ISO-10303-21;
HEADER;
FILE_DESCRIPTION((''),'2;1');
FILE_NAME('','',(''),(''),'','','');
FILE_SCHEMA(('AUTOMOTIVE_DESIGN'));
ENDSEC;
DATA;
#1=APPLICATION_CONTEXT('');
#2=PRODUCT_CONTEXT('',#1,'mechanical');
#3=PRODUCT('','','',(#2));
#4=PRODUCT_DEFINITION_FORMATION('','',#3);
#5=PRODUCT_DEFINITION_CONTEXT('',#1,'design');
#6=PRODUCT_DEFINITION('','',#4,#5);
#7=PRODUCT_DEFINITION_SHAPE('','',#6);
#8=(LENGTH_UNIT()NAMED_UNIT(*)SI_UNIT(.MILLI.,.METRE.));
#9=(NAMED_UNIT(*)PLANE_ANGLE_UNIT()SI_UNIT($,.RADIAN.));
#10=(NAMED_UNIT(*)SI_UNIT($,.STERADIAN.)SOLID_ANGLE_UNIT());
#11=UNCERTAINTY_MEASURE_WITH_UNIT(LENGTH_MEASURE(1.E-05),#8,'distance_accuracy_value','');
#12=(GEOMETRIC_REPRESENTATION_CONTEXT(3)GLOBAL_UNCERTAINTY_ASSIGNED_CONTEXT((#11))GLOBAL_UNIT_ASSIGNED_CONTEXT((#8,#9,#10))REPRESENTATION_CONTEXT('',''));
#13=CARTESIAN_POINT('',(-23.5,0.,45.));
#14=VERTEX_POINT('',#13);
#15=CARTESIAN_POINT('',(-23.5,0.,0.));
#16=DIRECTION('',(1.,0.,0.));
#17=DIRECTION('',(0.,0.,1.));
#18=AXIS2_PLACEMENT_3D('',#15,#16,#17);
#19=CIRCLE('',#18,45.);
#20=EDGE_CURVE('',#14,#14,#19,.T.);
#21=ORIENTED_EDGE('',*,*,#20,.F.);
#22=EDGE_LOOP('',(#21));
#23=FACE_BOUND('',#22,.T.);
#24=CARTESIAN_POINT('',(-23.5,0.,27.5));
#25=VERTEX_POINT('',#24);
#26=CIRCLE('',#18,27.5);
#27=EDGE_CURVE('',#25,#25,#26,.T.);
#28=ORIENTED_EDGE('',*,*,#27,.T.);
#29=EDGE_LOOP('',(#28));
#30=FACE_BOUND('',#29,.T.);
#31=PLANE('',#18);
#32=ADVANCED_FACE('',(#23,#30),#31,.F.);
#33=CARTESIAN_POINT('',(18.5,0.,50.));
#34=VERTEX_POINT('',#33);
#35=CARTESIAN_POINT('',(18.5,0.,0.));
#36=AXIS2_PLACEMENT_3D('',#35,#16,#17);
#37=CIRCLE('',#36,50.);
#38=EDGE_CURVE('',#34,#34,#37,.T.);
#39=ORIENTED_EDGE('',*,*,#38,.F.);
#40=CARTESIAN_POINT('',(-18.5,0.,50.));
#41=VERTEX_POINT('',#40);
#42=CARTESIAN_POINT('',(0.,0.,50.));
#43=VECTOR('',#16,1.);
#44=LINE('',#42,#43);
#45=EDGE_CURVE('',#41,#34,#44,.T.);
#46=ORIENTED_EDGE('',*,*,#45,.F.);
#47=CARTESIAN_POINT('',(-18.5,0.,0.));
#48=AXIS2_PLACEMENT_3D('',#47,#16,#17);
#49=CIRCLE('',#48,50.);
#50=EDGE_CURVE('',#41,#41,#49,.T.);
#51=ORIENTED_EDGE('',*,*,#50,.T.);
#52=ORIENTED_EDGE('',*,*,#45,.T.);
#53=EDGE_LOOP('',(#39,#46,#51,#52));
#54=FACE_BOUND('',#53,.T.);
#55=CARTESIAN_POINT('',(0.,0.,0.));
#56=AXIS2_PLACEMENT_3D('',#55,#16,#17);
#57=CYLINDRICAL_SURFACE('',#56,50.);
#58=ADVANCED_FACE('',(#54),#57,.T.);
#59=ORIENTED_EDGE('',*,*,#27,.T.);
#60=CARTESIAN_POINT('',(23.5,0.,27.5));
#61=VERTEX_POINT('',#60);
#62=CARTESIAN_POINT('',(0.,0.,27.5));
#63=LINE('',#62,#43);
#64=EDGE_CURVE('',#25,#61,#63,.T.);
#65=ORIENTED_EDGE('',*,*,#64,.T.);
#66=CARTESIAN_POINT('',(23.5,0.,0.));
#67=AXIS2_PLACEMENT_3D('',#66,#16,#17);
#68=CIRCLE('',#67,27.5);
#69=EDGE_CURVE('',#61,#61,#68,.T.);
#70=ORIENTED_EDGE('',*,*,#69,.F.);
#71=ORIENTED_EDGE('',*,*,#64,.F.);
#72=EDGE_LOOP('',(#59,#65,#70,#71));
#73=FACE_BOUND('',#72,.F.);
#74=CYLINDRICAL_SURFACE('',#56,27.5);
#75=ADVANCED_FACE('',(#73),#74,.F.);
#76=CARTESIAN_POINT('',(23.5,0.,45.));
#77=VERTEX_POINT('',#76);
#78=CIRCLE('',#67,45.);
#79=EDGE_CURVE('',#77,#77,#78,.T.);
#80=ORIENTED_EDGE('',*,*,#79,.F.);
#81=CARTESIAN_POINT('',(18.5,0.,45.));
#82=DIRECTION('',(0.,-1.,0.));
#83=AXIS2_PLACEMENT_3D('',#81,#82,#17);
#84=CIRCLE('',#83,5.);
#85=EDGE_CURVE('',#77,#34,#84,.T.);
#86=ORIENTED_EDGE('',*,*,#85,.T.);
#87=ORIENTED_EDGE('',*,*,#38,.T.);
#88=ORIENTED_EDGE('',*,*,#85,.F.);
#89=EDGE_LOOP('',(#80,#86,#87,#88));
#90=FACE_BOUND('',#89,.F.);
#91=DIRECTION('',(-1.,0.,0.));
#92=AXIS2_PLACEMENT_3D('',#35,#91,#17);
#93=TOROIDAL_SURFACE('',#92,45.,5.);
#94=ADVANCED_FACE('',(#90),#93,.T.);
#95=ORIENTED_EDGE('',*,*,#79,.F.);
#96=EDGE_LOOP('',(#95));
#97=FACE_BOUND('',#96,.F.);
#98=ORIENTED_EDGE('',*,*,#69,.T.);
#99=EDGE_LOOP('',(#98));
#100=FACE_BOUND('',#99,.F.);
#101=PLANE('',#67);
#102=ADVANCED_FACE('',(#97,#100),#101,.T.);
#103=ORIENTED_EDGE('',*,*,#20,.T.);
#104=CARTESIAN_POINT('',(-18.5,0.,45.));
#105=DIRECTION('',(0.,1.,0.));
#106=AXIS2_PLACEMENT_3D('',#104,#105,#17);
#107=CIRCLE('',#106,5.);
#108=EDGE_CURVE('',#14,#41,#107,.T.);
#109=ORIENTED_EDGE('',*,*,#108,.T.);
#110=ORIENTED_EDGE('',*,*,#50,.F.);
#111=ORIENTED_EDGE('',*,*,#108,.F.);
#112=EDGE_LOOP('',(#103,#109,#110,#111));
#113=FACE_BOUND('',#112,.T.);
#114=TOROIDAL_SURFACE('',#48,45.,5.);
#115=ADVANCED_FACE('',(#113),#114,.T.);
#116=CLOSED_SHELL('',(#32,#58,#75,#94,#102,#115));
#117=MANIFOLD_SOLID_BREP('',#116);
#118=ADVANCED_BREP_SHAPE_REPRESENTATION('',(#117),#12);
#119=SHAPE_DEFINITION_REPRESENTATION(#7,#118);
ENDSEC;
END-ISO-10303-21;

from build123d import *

# Parameters (mm, degrees)
F0_W = 47
F0_H = 22.5
F2_R = 5


with BuildPart() as f1:
    # F0 (on Front) → F1 (revolve)
    with BuildSketch(Plane.XZ):
        with Locations((0, 38.75)):
            Rectangle(F0_W, F0_H)
    revolve(axis=Axis((0, 0, 0), (1, 0, 0)))

    # F2
    f2_edges = [f1.edges().sort_by_distance(p)[0] for p in [
        (23.5, 0, -50),
        (-23.5, 0, -50),
    ]]
    fillet(f2_edges, radius=F2_R)


solid = f1.part
